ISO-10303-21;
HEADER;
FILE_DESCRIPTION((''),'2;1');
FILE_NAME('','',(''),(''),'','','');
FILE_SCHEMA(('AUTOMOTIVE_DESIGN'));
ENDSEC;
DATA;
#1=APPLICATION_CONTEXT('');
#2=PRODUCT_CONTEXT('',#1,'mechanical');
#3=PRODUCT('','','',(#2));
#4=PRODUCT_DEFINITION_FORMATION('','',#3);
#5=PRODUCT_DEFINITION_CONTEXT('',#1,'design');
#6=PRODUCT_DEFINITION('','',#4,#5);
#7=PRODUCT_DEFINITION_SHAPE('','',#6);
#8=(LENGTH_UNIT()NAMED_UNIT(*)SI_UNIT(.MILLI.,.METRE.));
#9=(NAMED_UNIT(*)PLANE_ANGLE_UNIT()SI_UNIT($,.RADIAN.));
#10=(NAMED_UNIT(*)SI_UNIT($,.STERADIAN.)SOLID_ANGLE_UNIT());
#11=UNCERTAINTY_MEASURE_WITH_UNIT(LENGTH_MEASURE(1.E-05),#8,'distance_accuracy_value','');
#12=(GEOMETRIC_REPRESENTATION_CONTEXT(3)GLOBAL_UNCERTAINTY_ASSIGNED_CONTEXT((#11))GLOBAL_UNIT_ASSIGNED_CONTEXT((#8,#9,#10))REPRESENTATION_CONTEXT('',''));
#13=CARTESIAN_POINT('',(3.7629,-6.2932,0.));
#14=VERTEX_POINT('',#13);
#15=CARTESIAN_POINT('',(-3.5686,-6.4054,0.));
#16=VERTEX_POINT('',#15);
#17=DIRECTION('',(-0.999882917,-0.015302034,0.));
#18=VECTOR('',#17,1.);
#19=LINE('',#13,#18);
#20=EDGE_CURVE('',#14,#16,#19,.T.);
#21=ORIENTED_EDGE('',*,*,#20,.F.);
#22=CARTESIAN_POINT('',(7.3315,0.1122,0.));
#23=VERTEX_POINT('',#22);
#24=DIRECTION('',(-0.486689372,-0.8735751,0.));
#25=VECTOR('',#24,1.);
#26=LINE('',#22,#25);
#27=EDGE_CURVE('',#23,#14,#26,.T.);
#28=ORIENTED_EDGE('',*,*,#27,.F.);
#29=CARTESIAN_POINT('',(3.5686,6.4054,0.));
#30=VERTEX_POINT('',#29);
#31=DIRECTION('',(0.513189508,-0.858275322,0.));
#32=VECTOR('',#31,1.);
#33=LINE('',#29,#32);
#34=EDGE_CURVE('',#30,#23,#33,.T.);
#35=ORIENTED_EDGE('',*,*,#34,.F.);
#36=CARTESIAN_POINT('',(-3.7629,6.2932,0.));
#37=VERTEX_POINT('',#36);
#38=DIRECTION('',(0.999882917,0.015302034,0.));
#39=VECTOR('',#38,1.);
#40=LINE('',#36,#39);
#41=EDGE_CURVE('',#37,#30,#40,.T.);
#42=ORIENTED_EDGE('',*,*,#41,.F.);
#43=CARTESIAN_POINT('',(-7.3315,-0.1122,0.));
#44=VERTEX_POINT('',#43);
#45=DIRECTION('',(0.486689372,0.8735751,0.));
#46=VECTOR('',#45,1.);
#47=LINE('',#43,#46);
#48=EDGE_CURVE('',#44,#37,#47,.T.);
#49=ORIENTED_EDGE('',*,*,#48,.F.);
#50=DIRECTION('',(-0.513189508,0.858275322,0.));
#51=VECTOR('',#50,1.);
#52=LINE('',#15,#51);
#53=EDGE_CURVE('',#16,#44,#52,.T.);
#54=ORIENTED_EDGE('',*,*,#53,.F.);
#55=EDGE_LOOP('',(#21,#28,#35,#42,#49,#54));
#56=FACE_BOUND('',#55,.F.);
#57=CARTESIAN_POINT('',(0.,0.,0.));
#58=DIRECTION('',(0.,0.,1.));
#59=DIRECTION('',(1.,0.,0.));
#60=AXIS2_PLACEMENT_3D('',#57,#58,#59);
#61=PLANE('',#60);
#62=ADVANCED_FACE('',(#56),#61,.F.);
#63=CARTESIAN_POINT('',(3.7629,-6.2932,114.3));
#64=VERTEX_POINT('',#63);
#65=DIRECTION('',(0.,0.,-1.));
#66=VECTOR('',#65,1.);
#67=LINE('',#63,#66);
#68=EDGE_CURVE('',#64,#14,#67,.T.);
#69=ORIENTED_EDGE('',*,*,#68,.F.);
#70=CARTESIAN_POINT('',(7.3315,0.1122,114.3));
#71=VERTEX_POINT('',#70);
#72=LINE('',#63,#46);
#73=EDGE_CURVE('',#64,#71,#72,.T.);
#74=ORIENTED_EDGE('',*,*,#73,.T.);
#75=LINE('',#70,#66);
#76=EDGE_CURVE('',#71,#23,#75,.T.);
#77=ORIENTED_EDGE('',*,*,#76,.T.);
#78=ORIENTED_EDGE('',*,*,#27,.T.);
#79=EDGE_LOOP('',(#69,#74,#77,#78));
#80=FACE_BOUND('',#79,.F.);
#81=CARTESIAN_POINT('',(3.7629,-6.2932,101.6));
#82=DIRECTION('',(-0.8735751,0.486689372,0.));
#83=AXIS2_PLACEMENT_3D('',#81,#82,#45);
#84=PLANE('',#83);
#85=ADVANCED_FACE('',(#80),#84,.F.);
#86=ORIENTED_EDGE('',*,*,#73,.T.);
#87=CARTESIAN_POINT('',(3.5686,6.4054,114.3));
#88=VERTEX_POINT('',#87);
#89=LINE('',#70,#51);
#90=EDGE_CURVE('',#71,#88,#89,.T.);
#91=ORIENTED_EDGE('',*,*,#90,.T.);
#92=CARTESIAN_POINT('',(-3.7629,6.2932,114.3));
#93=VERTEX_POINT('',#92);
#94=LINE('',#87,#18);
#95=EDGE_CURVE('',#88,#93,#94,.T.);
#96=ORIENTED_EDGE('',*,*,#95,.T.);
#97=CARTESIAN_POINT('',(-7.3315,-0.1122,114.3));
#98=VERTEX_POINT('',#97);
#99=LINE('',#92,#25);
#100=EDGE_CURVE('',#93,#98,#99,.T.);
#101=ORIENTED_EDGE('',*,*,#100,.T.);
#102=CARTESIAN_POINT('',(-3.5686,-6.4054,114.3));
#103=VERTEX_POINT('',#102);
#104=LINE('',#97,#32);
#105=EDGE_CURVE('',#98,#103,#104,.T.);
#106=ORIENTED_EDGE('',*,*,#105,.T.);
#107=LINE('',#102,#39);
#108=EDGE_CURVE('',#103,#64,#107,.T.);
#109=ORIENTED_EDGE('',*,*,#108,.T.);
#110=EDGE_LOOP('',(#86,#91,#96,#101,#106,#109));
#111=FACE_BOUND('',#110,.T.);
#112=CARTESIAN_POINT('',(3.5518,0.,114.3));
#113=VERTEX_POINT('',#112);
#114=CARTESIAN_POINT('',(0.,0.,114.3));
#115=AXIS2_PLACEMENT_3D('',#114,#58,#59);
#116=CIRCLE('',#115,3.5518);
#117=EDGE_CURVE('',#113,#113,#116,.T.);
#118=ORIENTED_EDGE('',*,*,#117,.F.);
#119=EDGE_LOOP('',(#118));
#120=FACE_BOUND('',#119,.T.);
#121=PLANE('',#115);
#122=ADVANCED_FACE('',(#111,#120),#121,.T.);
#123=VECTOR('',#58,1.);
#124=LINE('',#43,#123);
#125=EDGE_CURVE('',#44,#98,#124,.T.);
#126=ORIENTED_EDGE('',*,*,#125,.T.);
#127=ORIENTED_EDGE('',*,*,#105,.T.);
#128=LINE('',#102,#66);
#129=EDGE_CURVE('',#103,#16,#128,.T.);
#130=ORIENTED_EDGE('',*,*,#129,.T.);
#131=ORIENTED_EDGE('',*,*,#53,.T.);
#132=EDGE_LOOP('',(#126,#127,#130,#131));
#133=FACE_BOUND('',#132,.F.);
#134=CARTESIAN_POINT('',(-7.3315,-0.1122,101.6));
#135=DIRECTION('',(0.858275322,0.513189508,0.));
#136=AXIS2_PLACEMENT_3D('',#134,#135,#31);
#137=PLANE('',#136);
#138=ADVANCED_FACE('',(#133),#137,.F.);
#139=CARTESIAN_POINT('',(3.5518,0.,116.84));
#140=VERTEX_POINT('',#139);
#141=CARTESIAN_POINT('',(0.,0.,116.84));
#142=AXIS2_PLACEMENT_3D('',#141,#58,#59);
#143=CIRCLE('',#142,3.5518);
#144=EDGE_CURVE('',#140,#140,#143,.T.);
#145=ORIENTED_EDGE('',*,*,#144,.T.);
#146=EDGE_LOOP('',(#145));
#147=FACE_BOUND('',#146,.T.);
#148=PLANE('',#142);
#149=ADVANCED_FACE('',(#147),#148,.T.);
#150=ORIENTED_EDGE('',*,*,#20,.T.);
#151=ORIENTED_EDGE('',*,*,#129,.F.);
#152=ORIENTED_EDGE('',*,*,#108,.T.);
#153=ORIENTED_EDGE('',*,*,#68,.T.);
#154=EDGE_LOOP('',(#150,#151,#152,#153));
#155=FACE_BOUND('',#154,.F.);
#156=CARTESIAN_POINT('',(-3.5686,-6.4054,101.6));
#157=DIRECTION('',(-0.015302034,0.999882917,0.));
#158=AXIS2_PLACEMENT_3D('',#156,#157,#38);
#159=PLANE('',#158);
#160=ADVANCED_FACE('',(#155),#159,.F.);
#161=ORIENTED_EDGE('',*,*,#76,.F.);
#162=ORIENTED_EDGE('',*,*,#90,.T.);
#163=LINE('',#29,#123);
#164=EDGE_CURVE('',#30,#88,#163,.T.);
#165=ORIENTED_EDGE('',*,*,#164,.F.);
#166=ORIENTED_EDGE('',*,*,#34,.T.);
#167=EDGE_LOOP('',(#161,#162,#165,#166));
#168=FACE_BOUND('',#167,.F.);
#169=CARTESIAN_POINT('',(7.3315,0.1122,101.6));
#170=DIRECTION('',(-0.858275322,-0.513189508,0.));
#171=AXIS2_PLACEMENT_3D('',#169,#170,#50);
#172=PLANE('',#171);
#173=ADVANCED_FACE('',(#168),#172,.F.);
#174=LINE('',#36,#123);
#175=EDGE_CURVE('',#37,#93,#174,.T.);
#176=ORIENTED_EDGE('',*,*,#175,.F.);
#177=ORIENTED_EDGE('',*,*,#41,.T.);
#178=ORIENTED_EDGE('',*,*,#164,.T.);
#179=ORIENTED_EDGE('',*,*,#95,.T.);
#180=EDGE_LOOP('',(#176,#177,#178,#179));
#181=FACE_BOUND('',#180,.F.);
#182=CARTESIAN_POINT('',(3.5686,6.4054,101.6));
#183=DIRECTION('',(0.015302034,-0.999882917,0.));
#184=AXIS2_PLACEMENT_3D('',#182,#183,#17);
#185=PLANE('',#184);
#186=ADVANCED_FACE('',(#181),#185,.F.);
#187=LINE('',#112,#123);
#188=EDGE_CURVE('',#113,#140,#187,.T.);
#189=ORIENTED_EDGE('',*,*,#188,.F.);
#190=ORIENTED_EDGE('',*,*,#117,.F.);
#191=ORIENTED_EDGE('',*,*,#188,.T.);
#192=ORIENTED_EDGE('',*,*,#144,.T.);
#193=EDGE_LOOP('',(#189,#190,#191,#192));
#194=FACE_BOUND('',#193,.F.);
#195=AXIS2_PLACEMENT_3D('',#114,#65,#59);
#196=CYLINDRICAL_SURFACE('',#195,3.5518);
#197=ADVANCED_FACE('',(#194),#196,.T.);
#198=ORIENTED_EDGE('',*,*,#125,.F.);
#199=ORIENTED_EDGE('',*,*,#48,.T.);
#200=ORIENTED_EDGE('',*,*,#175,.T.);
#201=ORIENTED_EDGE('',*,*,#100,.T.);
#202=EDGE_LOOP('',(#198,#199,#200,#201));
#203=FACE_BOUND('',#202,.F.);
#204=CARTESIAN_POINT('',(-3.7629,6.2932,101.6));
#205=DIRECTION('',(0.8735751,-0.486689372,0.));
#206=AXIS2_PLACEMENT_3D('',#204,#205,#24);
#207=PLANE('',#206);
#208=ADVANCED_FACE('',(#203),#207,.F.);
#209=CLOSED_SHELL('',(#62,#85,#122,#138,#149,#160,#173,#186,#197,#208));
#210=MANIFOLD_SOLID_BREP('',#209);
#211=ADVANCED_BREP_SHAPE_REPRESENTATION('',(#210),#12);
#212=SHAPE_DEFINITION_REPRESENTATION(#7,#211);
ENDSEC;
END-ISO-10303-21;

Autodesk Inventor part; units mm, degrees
ref_plane "YZ Plane" through (0, 0, 0) normal (1, 0, 0) x (0, 1, 0)
ref_plane "XZ Plane" through (0, 0, 0) normal (0, 1, 0) x (-1, 0, 0)
ref_plane "XY Plane" through (0, 0, 0) normal (0, 0, 1) x (1, 0, 0)
sketch "Sketch1" plane through (0, 0, 0) normal (0, 0, 1) x (1, 0, 0)
  line L0 (-3.7629, 6.2932) -> (3.5686, 6.4054)
  line L1 (3.5686, 6.4054) -> (7.3315, 0.1122)
  line L2 (7.3315, 0.1122) -> (3.7629, -6.2932)
  line L3 (3.7629, -6.2932) -> (-3.5686, -6.4054)
  line L4 (-3.5686, -6.4054) -> (-7.3315, -0.1122)
  line L5 (-7.3315, -0.1122) -> (-3.7629, 6.2932)
  point P0 (0, 0)
  point P1 (0, 0)
  dimension "d0" = 12.7
extrude "Extrusion1" add sketch "Sketch1" along normal blind 101.6
sketch "Sketch2" plane through (0, 0, 101.6) normal (0, 0, 1) x (1, 0, 0)
  circle A0 centre (0, 0) radius 4.1084
extrude "Extrusion2" add sketch "Sketch2" along normal blind 0.254
sketch "Sketch3" plane through (0, 0, 101.6) normal (0, 0, 1) x (1, 0, 0)
  line L0 (3.5686, 6.4054) -> (-3.7629, 6.2932) projected
  line L1 (-3.7629, 6.2932) -> (-7.3315, -0.1122) projected
  line L2 (-7.3315, -0.1122) -> (-3.5686, -6.4054) projected
  line L3 (-3.5686, -6.4054) -> (3.7629, -6.2932) projected
  line L4 (3.7629, -6.2932) -> (7.3315, 0.1122) projected
  line L5 (7.3315, 0.1122) -> (3.5686, 6.4054) projected
extrude "Extrusion3" add sketch "Sketch3" along normal blind 12.7
sketch "Sketch4" plane through (0, 0, 114.3) normal (0, 0, 1) x (1, 0, 0)
  circle A0 centre (0, 0) radius 3.5518
extrude "Extrusion4" add sketch "Sketch4" along normal blind 2.54
properties part number "4.5 hex shaft" material "Aluminum 6061"
